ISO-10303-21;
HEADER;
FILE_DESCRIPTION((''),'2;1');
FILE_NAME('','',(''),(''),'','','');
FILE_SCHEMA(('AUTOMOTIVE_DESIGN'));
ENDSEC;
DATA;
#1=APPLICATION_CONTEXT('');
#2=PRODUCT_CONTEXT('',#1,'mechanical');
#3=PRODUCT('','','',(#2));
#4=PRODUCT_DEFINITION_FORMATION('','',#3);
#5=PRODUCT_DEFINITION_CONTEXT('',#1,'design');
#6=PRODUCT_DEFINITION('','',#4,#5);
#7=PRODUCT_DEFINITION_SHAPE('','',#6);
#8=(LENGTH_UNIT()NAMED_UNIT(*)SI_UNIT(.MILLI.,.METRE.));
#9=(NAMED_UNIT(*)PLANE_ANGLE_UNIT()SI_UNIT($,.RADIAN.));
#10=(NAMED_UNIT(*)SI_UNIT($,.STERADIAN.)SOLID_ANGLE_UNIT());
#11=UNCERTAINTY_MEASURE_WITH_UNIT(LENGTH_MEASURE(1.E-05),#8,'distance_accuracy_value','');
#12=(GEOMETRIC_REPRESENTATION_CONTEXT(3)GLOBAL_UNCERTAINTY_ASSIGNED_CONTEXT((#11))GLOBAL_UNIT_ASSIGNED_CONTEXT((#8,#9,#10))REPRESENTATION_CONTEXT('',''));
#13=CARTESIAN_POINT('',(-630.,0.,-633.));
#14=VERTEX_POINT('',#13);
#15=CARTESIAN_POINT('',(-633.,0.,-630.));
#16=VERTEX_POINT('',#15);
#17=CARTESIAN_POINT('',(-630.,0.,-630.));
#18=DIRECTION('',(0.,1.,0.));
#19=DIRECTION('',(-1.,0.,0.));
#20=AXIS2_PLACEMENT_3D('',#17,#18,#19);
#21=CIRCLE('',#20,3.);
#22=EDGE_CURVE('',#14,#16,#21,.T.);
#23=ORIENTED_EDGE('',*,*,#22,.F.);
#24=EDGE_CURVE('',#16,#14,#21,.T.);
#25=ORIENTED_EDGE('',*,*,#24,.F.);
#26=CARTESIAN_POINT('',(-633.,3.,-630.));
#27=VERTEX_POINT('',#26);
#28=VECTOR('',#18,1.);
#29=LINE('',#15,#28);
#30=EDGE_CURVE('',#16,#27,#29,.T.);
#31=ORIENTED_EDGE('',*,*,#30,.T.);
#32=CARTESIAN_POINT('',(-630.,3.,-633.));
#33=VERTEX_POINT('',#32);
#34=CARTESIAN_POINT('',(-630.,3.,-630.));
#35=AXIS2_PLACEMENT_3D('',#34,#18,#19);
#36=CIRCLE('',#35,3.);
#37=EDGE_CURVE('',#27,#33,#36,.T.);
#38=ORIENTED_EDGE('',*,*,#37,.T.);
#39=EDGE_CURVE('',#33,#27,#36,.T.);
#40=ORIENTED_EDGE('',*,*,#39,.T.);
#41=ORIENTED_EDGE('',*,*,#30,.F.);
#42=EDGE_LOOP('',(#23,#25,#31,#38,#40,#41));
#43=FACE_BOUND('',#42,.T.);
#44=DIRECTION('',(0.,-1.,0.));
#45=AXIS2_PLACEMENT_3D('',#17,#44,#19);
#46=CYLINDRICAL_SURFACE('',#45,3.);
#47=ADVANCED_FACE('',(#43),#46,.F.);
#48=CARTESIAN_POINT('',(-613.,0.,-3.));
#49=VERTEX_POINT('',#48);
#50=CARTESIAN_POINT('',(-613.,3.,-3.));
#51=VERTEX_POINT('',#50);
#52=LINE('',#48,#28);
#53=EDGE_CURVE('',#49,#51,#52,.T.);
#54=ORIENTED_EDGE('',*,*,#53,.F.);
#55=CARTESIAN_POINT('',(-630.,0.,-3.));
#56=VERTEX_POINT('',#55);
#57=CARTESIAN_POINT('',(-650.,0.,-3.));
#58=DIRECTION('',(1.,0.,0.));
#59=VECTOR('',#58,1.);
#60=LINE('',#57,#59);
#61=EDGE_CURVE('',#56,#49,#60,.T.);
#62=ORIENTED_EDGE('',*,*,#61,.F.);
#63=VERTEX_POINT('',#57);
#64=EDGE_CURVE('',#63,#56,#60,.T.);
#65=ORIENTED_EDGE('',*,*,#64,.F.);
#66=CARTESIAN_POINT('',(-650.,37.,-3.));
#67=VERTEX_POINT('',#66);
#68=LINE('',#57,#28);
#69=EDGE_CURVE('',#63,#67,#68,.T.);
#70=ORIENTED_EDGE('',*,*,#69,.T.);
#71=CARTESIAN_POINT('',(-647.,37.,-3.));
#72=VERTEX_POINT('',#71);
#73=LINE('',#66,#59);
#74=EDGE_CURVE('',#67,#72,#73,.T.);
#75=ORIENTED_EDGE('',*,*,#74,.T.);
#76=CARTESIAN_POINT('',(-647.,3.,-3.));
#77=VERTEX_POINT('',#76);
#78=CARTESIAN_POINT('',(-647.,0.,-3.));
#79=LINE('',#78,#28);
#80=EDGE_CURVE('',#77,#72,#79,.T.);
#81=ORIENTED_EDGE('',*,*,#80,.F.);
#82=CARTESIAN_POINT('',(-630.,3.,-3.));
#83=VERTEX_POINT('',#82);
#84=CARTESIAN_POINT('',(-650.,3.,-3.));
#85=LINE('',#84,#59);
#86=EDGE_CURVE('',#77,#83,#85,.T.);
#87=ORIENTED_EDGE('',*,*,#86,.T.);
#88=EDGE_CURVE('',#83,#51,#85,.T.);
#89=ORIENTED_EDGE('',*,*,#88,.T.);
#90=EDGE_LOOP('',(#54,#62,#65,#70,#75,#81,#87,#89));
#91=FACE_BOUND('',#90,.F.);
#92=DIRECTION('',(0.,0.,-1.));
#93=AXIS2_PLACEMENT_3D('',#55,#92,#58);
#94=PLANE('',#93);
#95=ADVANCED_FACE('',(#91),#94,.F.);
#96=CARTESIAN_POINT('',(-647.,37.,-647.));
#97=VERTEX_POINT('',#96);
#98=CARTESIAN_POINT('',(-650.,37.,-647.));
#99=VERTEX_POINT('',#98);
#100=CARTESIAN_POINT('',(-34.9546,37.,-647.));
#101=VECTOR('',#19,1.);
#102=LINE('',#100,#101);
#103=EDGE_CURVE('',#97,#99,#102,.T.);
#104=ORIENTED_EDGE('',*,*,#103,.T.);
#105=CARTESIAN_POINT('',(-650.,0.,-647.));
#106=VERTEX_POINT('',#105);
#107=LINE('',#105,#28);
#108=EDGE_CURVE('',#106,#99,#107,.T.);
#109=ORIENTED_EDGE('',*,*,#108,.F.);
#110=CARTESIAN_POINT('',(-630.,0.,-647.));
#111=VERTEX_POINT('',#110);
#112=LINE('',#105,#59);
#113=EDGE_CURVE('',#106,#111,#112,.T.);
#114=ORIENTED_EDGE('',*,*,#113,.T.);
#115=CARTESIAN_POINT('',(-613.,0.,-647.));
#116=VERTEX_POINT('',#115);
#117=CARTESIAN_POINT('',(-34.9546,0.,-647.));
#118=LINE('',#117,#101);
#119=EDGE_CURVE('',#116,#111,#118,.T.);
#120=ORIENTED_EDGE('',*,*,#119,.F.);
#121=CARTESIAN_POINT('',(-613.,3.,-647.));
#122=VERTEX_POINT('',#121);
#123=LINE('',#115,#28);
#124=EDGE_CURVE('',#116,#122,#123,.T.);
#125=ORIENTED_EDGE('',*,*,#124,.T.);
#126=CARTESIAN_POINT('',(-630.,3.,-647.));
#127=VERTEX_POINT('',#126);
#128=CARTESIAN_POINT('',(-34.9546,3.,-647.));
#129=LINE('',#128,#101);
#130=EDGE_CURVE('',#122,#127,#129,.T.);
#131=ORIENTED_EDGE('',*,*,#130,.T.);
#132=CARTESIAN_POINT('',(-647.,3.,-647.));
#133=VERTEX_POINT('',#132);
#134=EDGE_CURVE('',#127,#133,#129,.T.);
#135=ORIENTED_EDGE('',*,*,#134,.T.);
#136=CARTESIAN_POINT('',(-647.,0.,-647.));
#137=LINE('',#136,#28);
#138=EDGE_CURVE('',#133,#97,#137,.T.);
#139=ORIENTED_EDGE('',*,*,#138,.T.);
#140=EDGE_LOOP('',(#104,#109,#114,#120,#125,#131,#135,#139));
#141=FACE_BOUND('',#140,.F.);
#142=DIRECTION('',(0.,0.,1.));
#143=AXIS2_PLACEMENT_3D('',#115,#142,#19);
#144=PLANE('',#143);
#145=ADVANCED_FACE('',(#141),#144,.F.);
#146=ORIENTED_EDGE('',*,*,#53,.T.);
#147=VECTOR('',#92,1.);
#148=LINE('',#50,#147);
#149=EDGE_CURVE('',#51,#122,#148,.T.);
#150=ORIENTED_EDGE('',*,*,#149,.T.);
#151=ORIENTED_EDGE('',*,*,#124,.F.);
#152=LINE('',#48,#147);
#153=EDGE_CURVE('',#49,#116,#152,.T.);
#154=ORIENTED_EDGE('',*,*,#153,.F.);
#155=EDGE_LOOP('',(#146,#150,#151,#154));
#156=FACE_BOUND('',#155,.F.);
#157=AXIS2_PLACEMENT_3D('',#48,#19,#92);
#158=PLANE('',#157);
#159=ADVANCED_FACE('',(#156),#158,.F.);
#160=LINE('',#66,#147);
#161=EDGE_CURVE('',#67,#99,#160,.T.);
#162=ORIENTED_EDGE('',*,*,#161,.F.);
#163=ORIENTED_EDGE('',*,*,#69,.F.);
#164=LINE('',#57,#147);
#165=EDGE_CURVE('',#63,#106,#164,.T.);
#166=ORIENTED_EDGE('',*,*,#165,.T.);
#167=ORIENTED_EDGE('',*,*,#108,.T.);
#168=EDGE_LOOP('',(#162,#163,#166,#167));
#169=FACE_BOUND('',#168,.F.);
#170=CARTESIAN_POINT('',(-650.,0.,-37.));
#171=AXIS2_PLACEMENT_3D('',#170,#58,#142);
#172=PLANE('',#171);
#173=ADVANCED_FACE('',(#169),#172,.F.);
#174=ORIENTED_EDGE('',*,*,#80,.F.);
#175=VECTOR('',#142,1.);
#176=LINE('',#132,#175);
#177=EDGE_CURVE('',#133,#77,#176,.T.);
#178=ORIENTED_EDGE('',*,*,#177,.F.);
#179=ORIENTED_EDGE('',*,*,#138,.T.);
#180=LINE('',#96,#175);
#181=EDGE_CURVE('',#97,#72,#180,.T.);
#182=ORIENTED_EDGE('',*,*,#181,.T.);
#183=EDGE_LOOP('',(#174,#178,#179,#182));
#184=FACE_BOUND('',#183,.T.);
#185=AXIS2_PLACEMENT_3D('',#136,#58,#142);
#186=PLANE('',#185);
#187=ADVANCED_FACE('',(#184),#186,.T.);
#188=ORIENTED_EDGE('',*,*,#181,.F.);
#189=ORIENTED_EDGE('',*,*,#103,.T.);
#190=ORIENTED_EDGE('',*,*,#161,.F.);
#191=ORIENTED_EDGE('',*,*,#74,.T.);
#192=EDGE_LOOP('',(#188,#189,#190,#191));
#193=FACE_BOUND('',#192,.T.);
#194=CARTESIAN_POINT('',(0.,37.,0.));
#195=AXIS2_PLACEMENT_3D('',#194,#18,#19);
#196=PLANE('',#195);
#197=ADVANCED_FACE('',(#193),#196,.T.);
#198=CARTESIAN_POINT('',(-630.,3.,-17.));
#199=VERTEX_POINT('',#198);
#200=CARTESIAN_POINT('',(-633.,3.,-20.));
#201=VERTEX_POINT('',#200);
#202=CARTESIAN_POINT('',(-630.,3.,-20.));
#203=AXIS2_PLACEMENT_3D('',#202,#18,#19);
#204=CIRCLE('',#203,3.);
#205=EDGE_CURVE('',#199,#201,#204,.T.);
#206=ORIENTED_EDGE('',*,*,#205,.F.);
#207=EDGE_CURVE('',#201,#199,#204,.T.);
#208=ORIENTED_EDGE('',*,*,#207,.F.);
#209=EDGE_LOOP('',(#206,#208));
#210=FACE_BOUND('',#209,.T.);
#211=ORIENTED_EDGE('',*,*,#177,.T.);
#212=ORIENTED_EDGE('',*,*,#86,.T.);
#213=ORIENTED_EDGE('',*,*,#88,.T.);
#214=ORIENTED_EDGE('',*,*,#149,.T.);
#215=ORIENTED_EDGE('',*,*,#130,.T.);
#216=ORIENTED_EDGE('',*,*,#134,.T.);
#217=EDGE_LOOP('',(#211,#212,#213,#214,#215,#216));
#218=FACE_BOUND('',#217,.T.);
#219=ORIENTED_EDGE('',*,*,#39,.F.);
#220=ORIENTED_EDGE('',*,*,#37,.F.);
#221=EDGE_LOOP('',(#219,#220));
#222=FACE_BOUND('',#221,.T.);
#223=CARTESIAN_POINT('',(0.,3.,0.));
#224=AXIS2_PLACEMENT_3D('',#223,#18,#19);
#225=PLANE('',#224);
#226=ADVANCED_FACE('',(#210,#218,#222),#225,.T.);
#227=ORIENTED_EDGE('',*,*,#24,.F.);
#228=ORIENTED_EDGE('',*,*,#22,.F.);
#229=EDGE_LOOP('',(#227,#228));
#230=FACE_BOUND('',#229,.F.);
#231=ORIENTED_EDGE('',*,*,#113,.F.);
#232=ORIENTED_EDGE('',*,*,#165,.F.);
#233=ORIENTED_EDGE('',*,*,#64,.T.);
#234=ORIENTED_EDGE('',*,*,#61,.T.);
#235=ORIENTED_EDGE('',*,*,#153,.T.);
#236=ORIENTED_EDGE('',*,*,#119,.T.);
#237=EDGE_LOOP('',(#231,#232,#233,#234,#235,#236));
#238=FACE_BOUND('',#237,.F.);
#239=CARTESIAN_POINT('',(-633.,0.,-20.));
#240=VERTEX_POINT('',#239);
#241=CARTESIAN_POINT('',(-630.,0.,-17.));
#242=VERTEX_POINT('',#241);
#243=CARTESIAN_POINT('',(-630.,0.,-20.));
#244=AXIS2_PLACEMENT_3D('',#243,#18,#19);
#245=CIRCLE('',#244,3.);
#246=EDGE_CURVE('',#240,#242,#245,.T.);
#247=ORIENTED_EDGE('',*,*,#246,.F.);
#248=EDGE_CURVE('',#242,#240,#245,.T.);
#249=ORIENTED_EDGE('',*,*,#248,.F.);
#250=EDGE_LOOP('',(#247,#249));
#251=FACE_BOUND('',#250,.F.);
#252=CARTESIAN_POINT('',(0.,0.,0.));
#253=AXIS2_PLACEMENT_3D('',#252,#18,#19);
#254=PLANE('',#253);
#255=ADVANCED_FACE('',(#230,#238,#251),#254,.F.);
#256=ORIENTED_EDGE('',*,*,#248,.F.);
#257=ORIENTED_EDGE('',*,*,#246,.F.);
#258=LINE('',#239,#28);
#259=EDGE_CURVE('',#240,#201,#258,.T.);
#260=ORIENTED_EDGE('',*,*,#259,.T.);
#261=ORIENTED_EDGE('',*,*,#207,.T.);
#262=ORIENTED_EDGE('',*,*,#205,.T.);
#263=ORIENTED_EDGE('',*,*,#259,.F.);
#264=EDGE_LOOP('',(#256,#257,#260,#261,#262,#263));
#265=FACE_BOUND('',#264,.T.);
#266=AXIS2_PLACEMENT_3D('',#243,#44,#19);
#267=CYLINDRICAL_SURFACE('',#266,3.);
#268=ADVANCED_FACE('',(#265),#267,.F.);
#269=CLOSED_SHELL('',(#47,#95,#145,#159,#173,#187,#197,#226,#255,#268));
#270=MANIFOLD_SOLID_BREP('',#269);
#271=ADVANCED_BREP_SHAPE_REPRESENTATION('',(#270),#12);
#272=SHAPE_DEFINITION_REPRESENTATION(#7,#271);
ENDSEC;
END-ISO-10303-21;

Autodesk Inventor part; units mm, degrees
ref_plane "YZ Plane" through (0, 0, 0) normal (1, 0, 0) x (0, 1, 0)
ref_plane "XZ Plane" through (0, 0, 0) normal (0, 1, 0) x (-1, 0, 0)
ref_plane "XY Plane" through (0, 0, 0) normal (0, 0, 1) x (1, 0, 0)
sketch "Sketch1" plane through (0, 0, 0) normal (0, 1, 0) x (-1, 0, 0)
  line L0 (0, 0) -> (0, -650)
  line L1 (0, -650) -> (650, -650)
  line L2 (650, -647) -> (650, -3)
  line L3 (650, 0) -> (0, 0)
  line L4 (0, 0) -> (3, 0)
  line L5 (3, -3) -> (3, -647)
  line L6 (3, -650) -> (0, -650)
  line L7 (0, -650) -> (0, -647)
  line L8 (650, -647) -> (650, -650)
  line L9 (650, -650) -> (647, -650)
  line L10 (647, -647) -> (647, -3)
  line L11 (647, 0) -> (650, 0)
  line L12 (650, 0) -> (650, -3)
  line L13 (0, -3) -> (0, 0)
  line L14 (0, 0) -> (0, -37)
  line L15 (650, -37) -> (650, 0)
  line L16 (650, 0) -> (613, 0)
  line L17 (613, -3) -> (613, -647)
  line L18 (613, -650) -> (650, -650)
  line L19 (650, -650) -> (650, -613)
  line L20 (0, -613) -> (0, -650)
  line L21 (0, -650) -> (37, -650)
  line L22 (37, 0) -> (0, 0)
  line L23 (3, -147.3087) -> (3, -94.9828)
  line L24 (147.3087, -3) -> (94.9828, -3)
  circle A0 centre (16.1109, -108.0348) radius 3
  line L25 (0, -650) -> (3, -650)
  line L26 (0, -647) -> (0, -650)
  line L27 (0, -650) -> (0, -613)
  line L28 (37, -650) -> (0, -650)
  line L29 (3, -502.6913) -> (3, -555.0172)
  line L30 (147.3087, -647) -> (94.9828, -647)
  circle A1 centre (16.1109, -541.9652) radius 3
  line L31 (37, -650) -> (37, -37)
  line L32 (37, -3) -> (37, 0)
  line L33 (650, -3) -> (34.9546, -3)
  line L34 (34.9546, -647) -> (650, -647)
  line L35 (37, -37) -> (0, 0)
  line L36 (37, -613) -> (0, -650)
  line L37 (0, -650) -> (3, -647)
  line L38 (3, -647) -> (3, -3)
  line L39 (3, -3) -> (0, 0)
  line L40 (3, -325) -> (3, -458)
  line L41 (3, -458) -> (20, -458)
  line L42 (3, -325) -> (3, -192)
  line L43 (3, -192) -> (20, -192)
  circle A2 centre (20, -192) radius 3
  circle A3 centre (20, -458) radius 3
  line L44 (647, -3) -> (630, -3)
  line L45 (630, -3) -> (630, -20)
  line L46 (647, -647) -> (630, -647)
  line L47 (630, -647) -> (630, -630)
  circle A4 centre (630, -630) radius 3
  circle A5 centre (630, -20) radius 3
  point P0 (37, -647)
  dimension "d0" = 650
  dimension "d1" = 650
  dimension "d2" = 650
  dimension "d3" = 3
  dimension "d4" = 650
  dimension "d5" = 3
  dimension "d6" = 3
  dimension "d7" = 650
  dimension "d8" = 3
  dimension "d9" = 650
  dimension "d10" = 37
  dimension "d12" = 37
  dimension "d13" = 650
  dimension "d14" = 37
  dimension "d15" = 650
  dimension "d16" = 37
  dimension "d28" = 6
  dimension "d33" = 133
  dimension "d34" = 17
  dimension "d35" = 133
  dimension "d36" = 17
  dimension "d37" = 6
  dimension "d38" = 6
  dimension "d41" = 17
  dimension "d42" = 17
  dimension "d43" = 17
  dimension "d44" = 17
  dimension "d45" = 6
  dimension "d46" = 6
extrude "Extrusion4" add sketch "Sketch1" along normal blind 3 contours L33 L10 L34 L17
extrude "Extrusion5" add sketch "Sketch1" along normal blind 37 contours L2 L34 L10 L33
properties part number "body_inner_center_bar"
